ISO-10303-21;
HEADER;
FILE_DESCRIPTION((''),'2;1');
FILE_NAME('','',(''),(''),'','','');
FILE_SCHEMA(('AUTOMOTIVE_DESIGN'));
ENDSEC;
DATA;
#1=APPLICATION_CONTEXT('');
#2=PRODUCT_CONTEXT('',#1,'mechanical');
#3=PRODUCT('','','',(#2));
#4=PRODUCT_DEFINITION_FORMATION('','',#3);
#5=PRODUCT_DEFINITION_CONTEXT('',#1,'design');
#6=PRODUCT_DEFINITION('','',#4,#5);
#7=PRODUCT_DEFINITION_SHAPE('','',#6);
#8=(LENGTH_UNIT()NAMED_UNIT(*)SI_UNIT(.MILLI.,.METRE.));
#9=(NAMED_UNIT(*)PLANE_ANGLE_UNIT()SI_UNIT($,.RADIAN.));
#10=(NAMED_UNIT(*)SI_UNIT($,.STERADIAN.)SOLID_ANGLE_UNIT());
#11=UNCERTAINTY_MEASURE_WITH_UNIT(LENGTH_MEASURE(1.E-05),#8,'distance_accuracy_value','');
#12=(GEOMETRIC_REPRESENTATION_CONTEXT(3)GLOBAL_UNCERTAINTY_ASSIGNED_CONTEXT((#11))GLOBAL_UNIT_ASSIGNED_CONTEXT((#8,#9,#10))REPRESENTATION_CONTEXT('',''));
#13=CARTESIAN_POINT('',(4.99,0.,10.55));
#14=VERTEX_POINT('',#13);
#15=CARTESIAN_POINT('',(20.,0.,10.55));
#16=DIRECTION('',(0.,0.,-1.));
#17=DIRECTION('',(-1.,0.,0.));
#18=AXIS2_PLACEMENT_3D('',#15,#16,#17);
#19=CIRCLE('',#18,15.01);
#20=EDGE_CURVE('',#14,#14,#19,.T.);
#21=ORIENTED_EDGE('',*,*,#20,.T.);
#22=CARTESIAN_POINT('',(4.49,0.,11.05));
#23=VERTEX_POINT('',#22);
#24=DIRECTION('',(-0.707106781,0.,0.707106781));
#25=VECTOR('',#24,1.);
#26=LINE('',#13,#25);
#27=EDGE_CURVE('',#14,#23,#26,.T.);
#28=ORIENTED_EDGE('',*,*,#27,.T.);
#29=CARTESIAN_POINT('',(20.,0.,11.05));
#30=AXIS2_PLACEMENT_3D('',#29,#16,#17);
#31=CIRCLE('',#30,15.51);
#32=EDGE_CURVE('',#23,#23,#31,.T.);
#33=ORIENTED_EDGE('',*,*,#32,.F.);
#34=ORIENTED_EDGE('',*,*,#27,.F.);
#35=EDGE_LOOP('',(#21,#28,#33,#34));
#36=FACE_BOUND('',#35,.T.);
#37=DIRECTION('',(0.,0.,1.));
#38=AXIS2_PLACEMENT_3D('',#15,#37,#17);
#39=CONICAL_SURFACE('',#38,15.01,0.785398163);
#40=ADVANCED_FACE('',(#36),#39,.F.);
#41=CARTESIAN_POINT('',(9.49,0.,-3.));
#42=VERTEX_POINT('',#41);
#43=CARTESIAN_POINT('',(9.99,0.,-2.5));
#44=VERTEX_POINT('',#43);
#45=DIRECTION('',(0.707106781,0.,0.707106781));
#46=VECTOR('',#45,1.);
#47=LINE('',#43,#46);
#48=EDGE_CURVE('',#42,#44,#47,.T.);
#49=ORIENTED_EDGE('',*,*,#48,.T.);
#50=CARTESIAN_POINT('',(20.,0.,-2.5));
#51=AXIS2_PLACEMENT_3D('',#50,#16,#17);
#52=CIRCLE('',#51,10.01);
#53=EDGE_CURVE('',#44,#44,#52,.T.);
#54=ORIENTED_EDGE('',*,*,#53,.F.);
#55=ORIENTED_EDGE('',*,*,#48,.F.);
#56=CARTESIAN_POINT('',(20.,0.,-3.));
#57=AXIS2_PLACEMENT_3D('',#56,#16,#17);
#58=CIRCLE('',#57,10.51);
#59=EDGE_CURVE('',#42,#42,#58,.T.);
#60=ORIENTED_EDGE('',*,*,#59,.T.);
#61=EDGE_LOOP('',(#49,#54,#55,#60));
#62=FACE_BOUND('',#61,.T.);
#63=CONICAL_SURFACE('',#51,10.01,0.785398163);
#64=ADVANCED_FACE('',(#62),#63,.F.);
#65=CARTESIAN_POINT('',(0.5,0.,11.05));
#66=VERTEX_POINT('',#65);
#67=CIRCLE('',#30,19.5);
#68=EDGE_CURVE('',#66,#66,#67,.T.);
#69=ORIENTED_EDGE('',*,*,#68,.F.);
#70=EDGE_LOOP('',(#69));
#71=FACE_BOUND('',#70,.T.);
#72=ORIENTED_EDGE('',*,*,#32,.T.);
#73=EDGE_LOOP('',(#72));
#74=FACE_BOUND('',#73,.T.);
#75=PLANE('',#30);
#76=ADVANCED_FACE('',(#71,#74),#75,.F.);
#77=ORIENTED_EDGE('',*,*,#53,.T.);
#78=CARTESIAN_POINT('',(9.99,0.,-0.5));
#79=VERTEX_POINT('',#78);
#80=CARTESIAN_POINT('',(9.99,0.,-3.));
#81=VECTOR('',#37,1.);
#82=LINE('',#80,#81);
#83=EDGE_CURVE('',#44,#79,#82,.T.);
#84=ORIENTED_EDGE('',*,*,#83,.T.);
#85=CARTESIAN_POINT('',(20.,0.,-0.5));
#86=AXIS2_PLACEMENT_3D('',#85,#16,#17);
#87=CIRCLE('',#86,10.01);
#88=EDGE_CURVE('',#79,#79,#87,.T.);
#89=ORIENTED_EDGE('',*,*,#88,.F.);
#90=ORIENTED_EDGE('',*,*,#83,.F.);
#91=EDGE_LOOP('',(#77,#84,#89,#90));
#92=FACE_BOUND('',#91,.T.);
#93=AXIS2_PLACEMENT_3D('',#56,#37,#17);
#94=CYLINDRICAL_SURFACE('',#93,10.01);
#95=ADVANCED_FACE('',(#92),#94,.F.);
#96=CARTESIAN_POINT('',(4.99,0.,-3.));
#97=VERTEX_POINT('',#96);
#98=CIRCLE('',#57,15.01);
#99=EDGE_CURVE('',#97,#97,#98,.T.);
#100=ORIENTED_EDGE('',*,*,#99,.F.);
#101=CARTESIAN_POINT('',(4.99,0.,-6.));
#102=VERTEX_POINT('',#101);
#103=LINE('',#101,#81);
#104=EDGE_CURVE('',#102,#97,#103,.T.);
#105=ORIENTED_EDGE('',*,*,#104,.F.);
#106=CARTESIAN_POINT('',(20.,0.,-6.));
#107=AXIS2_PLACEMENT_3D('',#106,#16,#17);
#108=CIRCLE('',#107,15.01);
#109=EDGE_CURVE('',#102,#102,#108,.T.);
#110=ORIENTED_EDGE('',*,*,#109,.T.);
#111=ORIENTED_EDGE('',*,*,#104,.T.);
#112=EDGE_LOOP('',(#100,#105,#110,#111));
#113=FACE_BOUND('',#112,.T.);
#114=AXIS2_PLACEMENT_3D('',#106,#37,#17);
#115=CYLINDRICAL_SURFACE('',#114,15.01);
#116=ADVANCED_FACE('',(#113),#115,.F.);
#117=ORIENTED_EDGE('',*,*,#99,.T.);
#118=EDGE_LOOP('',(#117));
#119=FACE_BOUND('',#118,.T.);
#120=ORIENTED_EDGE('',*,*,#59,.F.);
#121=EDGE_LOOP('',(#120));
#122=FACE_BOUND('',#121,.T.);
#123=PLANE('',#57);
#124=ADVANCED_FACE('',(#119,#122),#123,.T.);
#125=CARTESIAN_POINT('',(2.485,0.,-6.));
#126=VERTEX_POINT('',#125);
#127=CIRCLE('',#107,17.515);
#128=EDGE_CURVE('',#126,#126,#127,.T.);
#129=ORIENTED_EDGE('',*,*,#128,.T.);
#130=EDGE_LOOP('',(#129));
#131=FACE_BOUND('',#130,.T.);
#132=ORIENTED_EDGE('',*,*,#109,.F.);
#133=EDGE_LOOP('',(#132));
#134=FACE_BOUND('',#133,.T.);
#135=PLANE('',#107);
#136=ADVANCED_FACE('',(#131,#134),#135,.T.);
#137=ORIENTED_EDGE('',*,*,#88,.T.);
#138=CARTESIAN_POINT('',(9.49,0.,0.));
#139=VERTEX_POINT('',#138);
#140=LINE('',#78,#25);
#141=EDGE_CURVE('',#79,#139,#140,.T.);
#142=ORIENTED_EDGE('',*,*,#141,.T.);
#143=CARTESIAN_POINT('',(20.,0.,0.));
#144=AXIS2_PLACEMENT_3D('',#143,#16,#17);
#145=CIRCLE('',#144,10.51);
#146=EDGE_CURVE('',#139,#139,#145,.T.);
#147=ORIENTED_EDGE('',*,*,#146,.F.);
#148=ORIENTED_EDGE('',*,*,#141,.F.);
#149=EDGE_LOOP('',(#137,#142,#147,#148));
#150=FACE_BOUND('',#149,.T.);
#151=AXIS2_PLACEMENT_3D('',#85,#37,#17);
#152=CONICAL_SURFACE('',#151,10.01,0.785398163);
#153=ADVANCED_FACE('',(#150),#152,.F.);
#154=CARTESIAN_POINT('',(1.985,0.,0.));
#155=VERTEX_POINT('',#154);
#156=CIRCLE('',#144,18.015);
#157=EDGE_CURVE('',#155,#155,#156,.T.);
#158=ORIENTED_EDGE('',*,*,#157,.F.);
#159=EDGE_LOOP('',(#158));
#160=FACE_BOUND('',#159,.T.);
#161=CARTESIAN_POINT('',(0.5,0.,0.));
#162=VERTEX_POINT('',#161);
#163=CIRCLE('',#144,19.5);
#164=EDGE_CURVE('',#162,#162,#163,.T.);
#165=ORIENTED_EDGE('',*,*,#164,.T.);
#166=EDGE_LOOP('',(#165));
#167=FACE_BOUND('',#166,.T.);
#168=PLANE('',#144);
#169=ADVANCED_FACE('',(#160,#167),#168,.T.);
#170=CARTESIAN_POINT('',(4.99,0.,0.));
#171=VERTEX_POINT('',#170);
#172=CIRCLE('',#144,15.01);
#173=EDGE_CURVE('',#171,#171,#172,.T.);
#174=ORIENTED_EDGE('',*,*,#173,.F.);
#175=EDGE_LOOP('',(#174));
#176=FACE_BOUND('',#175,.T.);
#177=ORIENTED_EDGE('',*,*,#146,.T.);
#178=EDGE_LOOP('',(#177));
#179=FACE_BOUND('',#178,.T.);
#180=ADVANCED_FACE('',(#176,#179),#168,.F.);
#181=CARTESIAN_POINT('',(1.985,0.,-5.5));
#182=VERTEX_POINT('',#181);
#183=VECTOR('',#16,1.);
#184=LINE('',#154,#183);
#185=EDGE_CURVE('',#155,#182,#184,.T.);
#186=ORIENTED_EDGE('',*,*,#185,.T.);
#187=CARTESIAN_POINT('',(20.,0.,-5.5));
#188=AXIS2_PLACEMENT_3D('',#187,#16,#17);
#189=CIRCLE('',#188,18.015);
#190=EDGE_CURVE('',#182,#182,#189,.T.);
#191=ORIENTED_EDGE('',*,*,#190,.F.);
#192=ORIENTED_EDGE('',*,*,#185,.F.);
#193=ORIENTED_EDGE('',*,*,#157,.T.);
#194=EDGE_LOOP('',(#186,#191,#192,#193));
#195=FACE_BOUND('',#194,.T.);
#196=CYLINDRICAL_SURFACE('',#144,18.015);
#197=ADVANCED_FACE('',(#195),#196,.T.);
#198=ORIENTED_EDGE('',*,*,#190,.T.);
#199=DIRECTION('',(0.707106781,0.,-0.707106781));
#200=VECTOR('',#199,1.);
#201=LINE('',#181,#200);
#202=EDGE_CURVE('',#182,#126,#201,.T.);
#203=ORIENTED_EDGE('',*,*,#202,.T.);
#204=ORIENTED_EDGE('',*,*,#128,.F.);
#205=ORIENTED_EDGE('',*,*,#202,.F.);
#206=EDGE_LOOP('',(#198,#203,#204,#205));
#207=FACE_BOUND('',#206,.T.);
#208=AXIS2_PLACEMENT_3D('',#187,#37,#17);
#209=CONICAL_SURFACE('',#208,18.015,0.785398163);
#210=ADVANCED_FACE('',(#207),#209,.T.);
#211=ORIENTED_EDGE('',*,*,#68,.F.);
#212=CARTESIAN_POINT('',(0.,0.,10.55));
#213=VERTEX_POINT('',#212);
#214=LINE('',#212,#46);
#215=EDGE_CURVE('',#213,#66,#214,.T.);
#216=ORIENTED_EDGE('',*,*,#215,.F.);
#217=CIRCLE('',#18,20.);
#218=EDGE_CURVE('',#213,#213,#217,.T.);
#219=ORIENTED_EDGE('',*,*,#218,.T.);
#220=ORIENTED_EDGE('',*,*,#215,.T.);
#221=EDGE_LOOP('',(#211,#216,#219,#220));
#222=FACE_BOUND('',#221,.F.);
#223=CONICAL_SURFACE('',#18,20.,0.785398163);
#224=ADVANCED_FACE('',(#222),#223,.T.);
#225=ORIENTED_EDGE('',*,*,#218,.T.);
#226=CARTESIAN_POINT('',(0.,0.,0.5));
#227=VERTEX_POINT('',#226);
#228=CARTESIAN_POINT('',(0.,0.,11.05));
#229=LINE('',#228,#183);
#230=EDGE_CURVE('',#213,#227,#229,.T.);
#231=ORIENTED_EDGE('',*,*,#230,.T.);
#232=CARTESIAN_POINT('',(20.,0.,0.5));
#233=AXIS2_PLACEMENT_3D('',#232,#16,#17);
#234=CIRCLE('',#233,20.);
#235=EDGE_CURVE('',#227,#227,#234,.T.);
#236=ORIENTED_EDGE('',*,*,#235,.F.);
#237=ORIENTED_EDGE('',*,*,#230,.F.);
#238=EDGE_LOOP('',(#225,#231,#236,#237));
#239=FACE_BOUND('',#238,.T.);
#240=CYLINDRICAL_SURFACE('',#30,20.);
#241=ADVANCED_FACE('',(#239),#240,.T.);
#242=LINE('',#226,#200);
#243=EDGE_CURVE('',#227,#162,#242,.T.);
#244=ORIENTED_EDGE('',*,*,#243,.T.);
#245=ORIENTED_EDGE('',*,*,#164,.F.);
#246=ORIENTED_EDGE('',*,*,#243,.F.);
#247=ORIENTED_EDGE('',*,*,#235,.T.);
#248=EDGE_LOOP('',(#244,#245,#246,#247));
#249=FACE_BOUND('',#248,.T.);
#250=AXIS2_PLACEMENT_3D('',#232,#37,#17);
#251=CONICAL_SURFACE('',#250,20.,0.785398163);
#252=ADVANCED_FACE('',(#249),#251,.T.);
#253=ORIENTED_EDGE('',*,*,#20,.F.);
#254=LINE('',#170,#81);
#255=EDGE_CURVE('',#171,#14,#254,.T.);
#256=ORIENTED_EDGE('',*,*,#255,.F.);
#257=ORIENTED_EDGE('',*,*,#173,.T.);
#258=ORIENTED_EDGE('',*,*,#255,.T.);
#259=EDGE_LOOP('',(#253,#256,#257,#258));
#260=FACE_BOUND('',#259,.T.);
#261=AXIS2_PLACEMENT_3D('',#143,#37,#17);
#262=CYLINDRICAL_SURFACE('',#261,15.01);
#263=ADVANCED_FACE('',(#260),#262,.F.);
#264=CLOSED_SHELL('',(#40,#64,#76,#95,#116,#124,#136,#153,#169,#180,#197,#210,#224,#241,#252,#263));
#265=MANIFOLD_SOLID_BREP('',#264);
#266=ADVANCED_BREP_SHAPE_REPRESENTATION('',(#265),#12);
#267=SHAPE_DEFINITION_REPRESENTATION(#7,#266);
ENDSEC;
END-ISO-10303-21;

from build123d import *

# Parameters (mm, degrees)
F2_SIZE = 0.5


with BuildPart() as f1:
    # F0 (on Front) → F1 (revolve)
    with BuildSketch(Plane.XZ):
        Polygon((0, 11.05), (0, 0), (1.985, 0), (1.985, -6), (4.99, -6), (4.99, -3), (9.99, -3), (9.99, 0), (4.99, 0), (4.99, 11.05), align=None)
    revolve(axis=Axis((20, 0, 0.0311555341), (0, 0, -1)))

    # F2
    f2_edges = [f1.edges().sort_by_distance(p)[0] for p in [
        (35.01, 0, 11.05),
        (40, 0, 11.05),
        (40, 0, 0),
        (38.015, 0, -6),
        (30.01, 0, -3),
        (30.01, 0, 0),
    ]]
    chamfer(f2_edges, length=F2_SIZE)


solid = f1.part
